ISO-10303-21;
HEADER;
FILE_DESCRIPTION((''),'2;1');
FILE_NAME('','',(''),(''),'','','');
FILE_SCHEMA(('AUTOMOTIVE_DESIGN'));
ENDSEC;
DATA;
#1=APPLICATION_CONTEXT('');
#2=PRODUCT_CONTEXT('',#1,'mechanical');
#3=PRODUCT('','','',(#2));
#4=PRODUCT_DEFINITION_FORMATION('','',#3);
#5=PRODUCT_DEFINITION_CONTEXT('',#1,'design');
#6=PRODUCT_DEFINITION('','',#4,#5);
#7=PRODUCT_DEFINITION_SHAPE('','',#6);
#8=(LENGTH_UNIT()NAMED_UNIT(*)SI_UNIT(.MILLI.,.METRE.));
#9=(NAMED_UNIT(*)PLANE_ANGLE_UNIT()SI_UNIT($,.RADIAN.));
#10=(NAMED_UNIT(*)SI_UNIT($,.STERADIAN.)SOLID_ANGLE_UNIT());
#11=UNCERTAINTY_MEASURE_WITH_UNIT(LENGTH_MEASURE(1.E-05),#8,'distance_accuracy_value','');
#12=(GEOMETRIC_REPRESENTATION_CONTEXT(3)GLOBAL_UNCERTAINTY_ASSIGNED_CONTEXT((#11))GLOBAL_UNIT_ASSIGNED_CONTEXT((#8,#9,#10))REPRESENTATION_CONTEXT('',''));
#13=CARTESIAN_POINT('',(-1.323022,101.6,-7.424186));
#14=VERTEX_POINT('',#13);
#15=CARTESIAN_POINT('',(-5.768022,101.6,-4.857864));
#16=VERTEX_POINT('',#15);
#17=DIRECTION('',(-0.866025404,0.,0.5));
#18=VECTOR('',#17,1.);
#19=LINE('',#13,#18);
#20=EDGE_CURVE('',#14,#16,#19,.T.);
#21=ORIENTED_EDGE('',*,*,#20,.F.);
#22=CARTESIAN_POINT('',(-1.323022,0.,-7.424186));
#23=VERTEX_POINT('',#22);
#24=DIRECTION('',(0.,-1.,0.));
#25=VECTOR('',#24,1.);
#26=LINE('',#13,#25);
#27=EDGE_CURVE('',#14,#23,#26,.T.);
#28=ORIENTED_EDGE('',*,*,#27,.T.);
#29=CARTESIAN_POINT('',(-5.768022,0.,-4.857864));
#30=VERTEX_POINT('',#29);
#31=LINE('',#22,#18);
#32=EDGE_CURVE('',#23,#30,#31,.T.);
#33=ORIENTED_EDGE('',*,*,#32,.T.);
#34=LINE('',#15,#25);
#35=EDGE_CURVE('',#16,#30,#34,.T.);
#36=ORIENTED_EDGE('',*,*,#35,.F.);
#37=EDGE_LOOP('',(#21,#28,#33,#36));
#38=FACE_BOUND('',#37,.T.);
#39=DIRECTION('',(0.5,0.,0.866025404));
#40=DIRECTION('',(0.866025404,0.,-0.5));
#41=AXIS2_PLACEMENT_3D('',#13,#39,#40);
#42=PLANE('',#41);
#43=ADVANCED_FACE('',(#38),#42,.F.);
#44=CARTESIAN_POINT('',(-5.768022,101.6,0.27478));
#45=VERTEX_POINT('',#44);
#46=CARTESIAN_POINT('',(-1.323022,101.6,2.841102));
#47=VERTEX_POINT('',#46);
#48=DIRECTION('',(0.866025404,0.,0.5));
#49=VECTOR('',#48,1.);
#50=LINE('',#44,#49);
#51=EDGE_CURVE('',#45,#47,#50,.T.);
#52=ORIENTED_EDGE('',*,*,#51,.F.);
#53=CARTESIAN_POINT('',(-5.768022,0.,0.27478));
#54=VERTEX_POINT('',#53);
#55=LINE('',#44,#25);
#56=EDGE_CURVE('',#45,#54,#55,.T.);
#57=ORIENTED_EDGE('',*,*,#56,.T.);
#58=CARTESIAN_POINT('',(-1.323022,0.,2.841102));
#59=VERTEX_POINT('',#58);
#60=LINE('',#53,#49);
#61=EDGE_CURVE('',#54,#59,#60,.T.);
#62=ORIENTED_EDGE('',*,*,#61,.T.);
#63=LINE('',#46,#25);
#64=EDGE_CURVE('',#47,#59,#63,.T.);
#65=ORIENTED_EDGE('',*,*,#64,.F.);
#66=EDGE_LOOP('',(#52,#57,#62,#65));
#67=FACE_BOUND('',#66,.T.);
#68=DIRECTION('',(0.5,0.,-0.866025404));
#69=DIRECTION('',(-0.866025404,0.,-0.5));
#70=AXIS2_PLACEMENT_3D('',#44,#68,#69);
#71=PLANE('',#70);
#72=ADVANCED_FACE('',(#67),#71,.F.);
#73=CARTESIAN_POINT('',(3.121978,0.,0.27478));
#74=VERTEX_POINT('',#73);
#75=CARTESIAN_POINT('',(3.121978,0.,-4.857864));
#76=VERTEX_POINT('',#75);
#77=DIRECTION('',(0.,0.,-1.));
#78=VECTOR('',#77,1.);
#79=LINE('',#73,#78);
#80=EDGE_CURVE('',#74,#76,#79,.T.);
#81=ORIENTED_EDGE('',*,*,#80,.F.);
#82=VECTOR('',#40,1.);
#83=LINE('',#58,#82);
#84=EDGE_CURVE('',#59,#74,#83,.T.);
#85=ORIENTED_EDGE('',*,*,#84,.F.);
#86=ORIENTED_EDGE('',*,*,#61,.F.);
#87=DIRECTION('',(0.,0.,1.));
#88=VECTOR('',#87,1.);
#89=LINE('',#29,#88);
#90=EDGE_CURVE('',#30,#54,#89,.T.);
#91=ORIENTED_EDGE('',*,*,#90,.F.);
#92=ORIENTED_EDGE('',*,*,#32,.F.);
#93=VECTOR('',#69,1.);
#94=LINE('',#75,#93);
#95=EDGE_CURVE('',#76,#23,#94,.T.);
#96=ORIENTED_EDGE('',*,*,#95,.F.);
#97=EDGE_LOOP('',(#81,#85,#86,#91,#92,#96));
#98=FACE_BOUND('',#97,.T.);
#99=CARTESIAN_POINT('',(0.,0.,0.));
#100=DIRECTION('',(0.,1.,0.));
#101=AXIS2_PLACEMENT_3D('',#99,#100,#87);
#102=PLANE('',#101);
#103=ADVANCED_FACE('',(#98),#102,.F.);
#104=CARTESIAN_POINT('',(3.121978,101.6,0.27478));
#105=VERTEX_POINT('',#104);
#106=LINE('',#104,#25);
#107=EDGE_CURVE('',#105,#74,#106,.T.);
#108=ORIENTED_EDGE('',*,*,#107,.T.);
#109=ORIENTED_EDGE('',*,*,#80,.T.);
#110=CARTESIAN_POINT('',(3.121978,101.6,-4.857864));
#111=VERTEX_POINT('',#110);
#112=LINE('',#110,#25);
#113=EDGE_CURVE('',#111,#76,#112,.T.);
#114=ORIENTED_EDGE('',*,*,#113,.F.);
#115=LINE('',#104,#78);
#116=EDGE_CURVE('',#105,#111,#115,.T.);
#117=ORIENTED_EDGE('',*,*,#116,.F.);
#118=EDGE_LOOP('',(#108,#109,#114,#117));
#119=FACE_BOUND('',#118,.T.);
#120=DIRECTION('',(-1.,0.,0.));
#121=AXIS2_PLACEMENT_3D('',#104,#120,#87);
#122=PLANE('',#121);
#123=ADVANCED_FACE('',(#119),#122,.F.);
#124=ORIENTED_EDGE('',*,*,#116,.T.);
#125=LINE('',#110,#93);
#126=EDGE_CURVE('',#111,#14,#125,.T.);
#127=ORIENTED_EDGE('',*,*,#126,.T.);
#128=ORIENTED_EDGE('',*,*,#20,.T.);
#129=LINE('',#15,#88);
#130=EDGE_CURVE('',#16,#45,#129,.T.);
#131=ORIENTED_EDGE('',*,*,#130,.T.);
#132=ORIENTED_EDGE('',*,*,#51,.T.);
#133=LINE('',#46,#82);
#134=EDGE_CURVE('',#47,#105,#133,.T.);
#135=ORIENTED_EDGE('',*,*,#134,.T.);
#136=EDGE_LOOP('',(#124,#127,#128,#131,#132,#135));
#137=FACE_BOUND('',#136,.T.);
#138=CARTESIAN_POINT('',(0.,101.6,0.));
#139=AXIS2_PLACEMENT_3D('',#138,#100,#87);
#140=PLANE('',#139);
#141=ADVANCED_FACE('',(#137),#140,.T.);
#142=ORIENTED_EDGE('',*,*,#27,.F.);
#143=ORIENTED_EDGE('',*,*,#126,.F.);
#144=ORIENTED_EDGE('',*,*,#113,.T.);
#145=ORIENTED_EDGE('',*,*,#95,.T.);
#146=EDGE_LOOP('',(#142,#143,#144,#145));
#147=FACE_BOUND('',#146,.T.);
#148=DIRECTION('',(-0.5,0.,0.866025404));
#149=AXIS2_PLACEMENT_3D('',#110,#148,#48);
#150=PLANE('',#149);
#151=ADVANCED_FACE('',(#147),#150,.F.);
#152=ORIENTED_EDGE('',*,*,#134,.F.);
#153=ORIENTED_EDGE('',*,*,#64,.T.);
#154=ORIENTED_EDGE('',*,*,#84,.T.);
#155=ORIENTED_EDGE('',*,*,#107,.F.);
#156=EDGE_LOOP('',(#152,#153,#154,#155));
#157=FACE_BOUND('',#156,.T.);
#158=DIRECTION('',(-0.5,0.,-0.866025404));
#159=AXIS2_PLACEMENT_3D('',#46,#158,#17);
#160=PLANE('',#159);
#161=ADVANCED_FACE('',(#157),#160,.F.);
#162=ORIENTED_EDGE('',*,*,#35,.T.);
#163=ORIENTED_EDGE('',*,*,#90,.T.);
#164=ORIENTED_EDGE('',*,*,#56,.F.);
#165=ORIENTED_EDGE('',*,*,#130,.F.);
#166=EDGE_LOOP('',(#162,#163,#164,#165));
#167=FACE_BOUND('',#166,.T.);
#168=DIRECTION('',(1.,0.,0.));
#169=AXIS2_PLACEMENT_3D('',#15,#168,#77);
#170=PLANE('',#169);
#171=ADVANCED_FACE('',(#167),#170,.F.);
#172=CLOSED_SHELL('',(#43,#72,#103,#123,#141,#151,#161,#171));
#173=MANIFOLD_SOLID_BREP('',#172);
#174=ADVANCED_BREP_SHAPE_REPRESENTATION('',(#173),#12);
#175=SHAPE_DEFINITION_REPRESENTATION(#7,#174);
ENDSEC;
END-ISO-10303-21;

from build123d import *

# Parameters (mm, degrees)
BOSS_EXTRUDE1_DEPTH = 101.6


with BuildPart() as part:
    # Sketch1 → Boss-Extrude1 (new body)
    with BuildSketch(Plane(origin=(0, 0, 0), x_dir=(1, 0, 0), z_dir=(0, 1, 0))):
        Polygon((-1.323022376, 7.424185867), (-5.768022376, 4.857863921), (-5.768022376, -0.274779972), (-1.323022376, -2.841101919), (3.121977624, -0.274779972), (3.121977624, 4.857863921), align=None)
    extrude(amount=BOSS_EXTRUDE1_DEPTH)


solid = part.part
